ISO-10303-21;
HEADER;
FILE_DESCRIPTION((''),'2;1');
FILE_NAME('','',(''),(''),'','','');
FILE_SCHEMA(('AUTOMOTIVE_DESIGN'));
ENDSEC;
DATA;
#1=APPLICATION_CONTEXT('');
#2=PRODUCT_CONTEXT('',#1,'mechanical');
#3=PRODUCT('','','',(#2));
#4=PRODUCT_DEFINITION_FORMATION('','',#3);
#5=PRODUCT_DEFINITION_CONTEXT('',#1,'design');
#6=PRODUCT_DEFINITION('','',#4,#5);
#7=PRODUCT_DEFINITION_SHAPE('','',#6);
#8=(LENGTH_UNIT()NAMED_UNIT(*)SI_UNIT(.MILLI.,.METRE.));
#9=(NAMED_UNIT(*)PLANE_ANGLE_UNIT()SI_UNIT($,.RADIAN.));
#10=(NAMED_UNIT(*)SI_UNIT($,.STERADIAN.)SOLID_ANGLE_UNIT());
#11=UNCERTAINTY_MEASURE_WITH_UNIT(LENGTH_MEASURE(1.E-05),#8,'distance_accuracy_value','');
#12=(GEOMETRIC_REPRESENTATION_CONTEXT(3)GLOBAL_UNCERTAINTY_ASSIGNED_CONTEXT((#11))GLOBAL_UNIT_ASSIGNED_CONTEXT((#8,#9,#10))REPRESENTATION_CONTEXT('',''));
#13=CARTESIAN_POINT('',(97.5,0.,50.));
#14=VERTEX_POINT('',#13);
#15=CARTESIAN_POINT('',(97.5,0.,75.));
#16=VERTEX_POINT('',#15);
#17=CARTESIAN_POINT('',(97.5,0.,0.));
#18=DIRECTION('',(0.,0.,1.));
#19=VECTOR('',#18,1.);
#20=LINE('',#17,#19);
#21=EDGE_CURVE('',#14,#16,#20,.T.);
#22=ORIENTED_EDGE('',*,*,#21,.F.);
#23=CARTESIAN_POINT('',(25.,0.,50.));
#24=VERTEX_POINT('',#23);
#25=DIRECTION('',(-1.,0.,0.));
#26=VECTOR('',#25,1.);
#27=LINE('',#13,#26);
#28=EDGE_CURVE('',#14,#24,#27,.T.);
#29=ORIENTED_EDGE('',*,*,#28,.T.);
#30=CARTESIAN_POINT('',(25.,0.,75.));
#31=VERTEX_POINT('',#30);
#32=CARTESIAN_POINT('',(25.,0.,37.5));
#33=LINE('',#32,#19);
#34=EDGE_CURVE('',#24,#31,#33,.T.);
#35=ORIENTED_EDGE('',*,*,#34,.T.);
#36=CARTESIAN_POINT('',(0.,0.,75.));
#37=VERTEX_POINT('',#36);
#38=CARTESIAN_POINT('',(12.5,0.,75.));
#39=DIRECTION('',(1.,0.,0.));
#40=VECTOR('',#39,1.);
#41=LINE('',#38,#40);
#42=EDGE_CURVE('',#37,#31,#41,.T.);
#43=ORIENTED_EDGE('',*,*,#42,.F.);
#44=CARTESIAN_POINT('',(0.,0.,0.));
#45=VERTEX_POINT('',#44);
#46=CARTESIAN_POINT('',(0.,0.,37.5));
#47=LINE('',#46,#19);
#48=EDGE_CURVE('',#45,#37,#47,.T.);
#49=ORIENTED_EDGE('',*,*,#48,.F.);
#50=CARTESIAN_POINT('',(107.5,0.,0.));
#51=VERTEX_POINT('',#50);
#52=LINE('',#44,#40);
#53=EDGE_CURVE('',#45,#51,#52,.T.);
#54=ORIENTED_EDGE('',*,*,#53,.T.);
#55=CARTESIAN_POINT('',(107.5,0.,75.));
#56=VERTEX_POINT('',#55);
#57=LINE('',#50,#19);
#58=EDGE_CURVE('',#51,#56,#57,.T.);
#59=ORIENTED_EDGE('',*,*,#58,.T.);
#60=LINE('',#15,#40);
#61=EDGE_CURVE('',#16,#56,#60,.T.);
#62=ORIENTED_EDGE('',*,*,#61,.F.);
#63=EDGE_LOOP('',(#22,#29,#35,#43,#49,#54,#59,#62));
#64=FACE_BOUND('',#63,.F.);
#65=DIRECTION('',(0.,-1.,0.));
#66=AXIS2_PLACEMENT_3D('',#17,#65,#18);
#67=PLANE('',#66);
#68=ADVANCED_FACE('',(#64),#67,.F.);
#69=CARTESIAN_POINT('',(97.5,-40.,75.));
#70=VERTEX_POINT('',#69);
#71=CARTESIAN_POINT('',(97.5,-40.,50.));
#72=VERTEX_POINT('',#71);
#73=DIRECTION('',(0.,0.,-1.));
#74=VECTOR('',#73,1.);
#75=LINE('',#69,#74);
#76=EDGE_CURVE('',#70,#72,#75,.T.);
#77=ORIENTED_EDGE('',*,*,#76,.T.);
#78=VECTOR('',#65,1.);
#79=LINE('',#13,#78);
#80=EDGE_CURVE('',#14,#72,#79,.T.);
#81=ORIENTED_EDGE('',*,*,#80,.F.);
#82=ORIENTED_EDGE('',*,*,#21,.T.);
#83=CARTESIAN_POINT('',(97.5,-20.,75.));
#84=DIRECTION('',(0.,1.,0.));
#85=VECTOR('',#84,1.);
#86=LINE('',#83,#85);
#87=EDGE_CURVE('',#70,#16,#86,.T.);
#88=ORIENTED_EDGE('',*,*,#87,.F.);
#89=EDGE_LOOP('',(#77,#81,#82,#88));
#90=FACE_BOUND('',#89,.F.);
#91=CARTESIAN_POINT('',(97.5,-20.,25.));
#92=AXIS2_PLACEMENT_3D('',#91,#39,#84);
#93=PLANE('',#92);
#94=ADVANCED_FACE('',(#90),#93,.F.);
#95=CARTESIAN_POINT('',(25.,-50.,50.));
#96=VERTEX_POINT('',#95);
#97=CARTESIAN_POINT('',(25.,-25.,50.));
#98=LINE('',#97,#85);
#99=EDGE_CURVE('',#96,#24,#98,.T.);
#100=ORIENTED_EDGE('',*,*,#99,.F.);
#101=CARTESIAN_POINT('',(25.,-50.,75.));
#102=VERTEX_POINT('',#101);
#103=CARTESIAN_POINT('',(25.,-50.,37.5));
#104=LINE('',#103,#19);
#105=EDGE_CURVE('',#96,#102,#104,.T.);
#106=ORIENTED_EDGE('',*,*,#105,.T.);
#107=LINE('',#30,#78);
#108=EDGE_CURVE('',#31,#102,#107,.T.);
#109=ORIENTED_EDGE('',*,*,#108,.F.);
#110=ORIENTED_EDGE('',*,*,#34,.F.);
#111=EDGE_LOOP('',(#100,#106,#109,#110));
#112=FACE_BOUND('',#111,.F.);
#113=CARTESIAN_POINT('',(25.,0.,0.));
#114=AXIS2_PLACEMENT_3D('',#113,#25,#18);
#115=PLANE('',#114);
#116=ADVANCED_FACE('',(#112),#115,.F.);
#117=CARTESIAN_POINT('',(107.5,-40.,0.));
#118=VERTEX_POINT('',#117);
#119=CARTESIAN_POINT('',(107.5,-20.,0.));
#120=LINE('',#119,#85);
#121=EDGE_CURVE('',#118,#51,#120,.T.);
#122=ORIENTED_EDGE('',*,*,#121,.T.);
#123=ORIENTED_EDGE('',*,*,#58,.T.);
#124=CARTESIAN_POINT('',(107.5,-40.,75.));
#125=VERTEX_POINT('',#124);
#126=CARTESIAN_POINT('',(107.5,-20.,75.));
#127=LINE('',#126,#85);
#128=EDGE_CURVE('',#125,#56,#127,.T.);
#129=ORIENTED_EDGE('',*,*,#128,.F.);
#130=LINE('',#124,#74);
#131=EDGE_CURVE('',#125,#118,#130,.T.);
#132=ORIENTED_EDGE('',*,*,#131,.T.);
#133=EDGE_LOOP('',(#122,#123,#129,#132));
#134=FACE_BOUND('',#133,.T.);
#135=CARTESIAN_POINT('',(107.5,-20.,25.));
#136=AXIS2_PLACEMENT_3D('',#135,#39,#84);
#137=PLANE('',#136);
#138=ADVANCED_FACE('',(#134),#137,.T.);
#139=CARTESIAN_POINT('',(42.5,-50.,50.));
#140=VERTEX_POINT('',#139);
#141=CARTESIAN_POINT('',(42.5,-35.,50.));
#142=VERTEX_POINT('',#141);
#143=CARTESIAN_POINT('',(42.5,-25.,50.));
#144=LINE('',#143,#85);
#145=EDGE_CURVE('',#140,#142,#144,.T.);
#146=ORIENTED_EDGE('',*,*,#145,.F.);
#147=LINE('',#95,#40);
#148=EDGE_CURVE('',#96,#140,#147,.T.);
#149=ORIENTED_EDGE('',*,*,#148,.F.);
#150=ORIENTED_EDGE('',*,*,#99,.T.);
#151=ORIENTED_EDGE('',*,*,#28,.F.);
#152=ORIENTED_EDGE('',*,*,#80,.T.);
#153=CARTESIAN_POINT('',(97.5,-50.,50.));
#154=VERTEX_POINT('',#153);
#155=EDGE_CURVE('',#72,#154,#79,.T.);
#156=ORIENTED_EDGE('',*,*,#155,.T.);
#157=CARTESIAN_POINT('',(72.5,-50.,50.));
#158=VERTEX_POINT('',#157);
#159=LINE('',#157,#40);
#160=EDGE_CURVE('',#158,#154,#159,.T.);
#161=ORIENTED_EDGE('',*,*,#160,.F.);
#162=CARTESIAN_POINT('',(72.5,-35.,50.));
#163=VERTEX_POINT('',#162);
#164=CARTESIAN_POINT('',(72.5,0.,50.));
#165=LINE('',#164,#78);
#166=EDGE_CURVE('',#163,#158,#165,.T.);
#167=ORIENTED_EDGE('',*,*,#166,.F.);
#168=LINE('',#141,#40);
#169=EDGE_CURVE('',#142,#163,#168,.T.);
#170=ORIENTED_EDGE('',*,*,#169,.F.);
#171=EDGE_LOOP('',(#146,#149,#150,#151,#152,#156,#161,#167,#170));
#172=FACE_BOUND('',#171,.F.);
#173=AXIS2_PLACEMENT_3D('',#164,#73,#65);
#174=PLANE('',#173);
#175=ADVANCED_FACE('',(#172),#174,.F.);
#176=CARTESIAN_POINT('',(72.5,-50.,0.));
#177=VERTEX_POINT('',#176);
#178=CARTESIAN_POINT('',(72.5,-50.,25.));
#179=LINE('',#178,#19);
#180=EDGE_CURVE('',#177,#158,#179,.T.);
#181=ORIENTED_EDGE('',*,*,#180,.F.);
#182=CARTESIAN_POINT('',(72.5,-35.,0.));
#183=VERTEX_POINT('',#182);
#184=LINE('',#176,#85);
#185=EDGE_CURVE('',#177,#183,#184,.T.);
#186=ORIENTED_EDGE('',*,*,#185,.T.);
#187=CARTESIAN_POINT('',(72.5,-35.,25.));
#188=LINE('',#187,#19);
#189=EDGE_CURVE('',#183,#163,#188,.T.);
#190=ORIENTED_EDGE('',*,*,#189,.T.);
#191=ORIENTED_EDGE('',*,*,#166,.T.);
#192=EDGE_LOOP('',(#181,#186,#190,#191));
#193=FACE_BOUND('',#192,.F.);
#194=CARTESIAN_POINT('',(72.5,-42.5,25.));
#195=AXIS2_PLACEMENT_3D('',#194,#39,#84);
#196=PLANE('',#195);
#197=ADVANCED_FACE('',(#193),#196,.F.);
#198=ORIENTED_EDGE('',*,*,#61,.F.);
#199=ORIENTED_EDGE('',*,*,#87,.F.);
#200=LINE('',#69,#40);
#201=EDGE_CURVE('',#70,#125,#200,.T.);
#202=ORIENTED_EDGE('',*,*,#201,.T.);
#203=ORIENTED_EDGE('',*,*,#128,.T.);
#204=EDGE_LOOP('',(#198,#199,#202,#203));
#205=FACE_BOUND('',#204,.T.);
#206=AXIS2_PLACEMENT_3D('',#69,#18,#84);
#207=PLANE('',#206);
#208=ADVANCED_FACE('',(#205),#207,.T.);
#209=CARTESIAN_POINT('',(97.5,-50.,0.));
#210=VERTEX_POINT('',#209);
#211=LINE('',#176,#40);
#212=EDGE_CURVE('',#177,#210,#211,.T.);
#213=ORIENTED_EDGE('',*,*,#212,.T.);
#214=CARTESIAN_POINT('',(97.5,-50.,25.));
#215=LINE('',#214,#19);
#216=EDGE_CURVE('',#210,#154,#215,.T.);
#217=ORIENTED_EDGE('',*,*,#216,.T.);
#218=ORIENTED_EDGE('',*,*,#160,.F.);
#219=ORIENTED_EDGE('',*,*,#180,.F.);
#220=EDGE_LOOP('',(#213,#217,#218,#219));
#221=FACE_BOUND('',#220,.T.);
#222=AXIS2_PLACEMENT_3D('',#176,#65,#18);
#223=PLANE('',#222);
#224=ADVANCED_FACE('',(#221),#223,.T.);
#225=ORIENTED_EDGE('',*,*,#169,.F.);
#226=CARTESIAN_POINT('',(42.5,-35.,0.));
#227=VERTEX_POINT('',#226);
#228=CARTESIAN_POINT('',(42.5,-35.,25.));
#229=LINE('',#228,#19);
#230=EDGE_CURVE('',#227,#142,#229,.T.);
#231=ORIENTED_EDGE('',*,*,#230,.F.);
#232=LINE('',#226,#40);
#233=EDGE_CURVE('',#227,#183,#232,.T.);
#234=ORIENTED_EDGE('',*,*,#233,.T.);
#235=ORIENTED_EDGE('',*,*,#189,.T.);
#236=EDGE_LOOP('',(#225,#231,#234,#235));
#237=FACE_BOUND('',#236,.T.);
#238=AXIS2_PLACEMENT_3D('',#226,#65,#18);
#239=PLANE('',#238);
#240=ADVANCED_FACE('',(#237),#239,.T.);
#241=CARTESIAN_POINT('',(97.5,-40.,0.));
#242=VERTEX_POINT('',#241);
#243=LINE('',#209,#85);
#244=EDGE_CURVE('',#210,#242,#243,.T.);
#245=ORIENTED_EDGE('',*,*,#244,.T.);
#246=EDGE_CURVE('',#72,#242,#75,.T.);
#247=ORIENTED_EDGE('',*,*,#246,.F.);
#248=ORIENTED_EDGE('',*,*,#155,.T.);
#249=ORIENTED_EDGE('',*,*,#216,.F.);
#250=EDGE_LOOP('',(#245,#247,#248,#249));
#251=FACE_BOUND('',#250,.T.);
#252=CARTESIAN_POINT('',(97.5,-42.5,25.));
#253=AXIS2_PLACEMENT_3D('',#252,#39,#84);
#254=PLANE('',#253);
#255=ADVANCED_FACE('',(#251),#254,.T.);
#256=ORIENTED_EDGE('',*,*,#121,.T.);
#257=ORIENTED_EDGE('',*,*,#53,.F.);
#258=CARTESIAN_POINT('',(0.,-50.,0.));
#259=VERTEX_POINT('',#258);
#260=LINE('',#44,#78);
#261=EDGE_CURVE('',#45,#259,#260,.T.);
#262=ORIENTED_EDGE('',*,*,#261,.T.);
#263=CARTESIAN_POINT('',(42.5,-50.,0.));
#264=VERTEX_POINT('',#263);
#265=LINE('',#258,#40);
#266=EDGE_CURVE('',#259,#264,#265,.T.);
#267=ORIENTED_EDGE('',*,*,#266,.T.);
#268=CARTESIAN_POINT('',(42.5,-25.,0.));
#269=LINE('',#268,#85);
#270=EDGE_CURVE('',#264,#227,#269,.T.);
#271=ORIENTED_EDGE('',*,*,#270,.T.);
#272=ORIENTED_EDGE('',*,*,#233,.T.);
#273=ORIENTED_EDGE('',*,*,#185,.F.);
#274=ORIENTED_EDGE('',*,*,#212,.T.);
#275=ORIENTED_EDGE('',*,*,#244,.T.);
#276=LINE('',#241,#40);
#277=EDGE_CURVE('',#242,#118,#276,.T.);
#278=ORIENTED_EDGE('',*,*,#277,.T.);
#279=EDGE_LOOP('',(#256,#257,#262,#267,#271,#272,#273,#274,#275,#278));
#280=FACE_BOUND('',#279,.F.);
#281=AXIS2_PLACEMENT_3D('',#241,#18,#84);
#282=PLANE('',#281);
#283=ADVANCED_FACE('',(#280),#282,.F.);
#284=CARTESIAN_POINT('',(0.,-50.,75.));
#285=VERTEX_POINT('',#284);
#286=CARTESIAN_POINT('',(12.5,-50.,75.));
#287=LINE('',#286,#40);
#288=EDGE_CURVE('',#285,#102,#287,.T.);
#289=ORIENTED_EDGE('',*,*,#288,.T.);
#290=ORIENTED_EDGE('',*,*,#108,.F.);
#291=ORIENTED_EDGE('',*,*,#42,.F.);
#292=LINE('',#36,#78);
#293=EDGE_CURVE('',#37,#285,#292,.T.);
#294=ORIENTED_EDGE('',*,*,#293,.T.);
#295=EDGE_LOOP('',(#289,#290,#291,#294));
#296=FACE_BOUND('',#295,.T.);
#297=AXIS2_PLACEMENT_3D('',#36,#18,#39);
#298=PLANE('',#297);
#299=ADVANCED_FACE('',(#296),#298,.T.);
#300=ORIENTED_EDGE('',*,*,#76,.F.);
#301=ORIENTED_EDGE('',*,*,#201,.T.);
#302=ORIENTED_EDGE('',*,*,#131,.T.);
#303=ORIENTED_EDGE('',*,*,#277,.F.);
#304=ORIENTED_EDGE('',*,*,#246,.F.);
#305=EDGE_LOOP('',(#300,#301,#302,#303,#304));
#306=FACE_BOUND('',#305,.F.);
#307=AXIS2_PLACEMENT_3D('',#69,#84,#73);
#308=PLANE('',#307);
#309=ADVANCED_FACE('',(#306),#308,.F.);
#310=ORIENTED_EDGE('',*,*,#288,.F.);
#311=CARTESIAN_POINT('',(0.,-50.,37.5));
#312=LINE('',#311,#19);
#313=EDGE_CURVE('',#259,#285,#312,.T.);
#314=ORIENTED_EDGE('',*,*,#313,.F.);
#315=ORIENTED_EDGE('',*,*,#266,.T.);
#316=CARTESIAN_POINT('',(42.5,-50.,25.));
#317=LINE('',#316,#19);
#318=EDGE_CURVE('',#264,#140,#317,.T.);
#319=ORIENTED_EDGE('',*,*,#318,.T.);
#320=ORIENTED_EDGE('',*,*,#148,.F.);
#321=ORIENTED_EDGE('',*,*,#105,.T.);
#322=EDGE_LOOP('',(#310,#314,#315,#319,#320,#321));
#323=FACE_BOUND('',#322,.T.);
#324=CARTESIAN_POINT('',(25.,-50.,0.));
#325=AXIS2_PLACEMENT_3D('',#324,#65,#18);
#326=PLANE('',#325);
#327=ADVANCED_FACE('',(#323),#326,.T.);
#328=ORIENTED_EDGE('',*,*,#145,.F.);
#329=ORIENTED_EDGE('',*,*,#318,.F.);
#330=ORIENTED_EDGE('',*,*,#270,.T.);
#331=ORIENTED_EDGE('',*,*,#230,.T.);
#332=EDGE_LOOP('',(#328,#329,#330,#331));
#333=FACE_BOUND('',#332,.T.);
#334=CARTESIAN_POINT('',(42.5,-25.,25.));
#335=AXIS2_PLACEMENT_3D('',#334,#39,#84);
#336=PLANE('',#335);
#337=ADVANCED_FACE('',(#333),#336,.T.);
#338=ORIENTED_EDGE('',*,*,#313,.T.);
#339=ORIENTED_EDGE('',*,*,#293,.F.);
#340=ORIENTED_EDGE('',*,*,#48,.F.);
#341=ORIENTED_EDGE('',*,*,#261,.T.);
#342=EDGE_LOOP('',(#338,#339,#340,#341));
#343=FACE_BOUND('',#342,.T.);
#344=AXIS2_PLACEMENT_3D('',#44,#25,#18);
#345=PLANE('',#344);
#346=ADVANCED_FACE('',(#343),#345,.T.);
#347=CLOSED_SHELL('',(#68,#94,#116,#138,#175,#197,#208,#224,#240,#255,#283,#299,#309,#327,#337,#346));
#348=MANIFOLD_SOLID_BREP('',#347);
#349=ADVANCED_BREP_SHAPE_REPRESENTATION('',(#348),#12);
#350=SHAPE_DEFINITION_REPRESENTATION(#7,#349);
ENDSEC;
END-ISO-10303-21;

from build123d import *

# Parameters (mm, degrees)
F0_W     = 25
F0_H     = 75
F1_DEPTH = 50
F2_W     = 50
F2_H     = 50
F3_DEPTH = 17.5
F4_W     = 35
F4_H     = 50
F5_DEPTH = 30
F6_W     = 15
F6_H     = 50
F6_W_2   = 35
F7_DEPTH = 25
F8_W     = 40
F8_H     = 50
F8_H_2   = 25
F9_DEPTH = 10


with BuildPart() as f1:
    # F0 (on Front) → F1 (new body)
    with BuildSketch(Plane.XZ):
        with Locations((12.5, 37.5)):
            Rectangle(F0_W, F0_H)
    extrude(amount=F1_DEPTH)

    # F2 (on face) → F3 (join)
    with BuildSketch(Plane.YZ.offset(25)):
        with Locations((-25, 25)):
            Rectangle(F2_W, F2_H)
    extrude(amount=F3_DEPTH)

    # F4 (on face) → F5 (join)
    with BuildSketch(Plane.YZ.offset(42.5)):
        with Locations((-17.5, 25)):
            Rectangle(F4_W, F4_H)
    extrude(amount=F5_DEPTH)

    # F6 (on face) → F7 (join)
    with BuildSketch(Plane.YZ.offset(72.5)):
        with Locations((-42.5, 25)):
            Rectangle(F6_W, F6_H)
        with Locations((-17.5, 25)):
            Rectangle(F6_W_2, F6_H)
    extrude(amount=F7_DEPTH)

    # F8 (on face) → F9 (join)
    with BuildSketch(Plane.YZ.offset(97.5)):
        with Locations((-20, 25)):
            Rectangle(F8_W, F8_H)
        with Locations((-20, 62.5)):
            Rectangle(F8_W, F8_H_2)
    extrude(amount=F9_DEPTH)


solid = f1.part
